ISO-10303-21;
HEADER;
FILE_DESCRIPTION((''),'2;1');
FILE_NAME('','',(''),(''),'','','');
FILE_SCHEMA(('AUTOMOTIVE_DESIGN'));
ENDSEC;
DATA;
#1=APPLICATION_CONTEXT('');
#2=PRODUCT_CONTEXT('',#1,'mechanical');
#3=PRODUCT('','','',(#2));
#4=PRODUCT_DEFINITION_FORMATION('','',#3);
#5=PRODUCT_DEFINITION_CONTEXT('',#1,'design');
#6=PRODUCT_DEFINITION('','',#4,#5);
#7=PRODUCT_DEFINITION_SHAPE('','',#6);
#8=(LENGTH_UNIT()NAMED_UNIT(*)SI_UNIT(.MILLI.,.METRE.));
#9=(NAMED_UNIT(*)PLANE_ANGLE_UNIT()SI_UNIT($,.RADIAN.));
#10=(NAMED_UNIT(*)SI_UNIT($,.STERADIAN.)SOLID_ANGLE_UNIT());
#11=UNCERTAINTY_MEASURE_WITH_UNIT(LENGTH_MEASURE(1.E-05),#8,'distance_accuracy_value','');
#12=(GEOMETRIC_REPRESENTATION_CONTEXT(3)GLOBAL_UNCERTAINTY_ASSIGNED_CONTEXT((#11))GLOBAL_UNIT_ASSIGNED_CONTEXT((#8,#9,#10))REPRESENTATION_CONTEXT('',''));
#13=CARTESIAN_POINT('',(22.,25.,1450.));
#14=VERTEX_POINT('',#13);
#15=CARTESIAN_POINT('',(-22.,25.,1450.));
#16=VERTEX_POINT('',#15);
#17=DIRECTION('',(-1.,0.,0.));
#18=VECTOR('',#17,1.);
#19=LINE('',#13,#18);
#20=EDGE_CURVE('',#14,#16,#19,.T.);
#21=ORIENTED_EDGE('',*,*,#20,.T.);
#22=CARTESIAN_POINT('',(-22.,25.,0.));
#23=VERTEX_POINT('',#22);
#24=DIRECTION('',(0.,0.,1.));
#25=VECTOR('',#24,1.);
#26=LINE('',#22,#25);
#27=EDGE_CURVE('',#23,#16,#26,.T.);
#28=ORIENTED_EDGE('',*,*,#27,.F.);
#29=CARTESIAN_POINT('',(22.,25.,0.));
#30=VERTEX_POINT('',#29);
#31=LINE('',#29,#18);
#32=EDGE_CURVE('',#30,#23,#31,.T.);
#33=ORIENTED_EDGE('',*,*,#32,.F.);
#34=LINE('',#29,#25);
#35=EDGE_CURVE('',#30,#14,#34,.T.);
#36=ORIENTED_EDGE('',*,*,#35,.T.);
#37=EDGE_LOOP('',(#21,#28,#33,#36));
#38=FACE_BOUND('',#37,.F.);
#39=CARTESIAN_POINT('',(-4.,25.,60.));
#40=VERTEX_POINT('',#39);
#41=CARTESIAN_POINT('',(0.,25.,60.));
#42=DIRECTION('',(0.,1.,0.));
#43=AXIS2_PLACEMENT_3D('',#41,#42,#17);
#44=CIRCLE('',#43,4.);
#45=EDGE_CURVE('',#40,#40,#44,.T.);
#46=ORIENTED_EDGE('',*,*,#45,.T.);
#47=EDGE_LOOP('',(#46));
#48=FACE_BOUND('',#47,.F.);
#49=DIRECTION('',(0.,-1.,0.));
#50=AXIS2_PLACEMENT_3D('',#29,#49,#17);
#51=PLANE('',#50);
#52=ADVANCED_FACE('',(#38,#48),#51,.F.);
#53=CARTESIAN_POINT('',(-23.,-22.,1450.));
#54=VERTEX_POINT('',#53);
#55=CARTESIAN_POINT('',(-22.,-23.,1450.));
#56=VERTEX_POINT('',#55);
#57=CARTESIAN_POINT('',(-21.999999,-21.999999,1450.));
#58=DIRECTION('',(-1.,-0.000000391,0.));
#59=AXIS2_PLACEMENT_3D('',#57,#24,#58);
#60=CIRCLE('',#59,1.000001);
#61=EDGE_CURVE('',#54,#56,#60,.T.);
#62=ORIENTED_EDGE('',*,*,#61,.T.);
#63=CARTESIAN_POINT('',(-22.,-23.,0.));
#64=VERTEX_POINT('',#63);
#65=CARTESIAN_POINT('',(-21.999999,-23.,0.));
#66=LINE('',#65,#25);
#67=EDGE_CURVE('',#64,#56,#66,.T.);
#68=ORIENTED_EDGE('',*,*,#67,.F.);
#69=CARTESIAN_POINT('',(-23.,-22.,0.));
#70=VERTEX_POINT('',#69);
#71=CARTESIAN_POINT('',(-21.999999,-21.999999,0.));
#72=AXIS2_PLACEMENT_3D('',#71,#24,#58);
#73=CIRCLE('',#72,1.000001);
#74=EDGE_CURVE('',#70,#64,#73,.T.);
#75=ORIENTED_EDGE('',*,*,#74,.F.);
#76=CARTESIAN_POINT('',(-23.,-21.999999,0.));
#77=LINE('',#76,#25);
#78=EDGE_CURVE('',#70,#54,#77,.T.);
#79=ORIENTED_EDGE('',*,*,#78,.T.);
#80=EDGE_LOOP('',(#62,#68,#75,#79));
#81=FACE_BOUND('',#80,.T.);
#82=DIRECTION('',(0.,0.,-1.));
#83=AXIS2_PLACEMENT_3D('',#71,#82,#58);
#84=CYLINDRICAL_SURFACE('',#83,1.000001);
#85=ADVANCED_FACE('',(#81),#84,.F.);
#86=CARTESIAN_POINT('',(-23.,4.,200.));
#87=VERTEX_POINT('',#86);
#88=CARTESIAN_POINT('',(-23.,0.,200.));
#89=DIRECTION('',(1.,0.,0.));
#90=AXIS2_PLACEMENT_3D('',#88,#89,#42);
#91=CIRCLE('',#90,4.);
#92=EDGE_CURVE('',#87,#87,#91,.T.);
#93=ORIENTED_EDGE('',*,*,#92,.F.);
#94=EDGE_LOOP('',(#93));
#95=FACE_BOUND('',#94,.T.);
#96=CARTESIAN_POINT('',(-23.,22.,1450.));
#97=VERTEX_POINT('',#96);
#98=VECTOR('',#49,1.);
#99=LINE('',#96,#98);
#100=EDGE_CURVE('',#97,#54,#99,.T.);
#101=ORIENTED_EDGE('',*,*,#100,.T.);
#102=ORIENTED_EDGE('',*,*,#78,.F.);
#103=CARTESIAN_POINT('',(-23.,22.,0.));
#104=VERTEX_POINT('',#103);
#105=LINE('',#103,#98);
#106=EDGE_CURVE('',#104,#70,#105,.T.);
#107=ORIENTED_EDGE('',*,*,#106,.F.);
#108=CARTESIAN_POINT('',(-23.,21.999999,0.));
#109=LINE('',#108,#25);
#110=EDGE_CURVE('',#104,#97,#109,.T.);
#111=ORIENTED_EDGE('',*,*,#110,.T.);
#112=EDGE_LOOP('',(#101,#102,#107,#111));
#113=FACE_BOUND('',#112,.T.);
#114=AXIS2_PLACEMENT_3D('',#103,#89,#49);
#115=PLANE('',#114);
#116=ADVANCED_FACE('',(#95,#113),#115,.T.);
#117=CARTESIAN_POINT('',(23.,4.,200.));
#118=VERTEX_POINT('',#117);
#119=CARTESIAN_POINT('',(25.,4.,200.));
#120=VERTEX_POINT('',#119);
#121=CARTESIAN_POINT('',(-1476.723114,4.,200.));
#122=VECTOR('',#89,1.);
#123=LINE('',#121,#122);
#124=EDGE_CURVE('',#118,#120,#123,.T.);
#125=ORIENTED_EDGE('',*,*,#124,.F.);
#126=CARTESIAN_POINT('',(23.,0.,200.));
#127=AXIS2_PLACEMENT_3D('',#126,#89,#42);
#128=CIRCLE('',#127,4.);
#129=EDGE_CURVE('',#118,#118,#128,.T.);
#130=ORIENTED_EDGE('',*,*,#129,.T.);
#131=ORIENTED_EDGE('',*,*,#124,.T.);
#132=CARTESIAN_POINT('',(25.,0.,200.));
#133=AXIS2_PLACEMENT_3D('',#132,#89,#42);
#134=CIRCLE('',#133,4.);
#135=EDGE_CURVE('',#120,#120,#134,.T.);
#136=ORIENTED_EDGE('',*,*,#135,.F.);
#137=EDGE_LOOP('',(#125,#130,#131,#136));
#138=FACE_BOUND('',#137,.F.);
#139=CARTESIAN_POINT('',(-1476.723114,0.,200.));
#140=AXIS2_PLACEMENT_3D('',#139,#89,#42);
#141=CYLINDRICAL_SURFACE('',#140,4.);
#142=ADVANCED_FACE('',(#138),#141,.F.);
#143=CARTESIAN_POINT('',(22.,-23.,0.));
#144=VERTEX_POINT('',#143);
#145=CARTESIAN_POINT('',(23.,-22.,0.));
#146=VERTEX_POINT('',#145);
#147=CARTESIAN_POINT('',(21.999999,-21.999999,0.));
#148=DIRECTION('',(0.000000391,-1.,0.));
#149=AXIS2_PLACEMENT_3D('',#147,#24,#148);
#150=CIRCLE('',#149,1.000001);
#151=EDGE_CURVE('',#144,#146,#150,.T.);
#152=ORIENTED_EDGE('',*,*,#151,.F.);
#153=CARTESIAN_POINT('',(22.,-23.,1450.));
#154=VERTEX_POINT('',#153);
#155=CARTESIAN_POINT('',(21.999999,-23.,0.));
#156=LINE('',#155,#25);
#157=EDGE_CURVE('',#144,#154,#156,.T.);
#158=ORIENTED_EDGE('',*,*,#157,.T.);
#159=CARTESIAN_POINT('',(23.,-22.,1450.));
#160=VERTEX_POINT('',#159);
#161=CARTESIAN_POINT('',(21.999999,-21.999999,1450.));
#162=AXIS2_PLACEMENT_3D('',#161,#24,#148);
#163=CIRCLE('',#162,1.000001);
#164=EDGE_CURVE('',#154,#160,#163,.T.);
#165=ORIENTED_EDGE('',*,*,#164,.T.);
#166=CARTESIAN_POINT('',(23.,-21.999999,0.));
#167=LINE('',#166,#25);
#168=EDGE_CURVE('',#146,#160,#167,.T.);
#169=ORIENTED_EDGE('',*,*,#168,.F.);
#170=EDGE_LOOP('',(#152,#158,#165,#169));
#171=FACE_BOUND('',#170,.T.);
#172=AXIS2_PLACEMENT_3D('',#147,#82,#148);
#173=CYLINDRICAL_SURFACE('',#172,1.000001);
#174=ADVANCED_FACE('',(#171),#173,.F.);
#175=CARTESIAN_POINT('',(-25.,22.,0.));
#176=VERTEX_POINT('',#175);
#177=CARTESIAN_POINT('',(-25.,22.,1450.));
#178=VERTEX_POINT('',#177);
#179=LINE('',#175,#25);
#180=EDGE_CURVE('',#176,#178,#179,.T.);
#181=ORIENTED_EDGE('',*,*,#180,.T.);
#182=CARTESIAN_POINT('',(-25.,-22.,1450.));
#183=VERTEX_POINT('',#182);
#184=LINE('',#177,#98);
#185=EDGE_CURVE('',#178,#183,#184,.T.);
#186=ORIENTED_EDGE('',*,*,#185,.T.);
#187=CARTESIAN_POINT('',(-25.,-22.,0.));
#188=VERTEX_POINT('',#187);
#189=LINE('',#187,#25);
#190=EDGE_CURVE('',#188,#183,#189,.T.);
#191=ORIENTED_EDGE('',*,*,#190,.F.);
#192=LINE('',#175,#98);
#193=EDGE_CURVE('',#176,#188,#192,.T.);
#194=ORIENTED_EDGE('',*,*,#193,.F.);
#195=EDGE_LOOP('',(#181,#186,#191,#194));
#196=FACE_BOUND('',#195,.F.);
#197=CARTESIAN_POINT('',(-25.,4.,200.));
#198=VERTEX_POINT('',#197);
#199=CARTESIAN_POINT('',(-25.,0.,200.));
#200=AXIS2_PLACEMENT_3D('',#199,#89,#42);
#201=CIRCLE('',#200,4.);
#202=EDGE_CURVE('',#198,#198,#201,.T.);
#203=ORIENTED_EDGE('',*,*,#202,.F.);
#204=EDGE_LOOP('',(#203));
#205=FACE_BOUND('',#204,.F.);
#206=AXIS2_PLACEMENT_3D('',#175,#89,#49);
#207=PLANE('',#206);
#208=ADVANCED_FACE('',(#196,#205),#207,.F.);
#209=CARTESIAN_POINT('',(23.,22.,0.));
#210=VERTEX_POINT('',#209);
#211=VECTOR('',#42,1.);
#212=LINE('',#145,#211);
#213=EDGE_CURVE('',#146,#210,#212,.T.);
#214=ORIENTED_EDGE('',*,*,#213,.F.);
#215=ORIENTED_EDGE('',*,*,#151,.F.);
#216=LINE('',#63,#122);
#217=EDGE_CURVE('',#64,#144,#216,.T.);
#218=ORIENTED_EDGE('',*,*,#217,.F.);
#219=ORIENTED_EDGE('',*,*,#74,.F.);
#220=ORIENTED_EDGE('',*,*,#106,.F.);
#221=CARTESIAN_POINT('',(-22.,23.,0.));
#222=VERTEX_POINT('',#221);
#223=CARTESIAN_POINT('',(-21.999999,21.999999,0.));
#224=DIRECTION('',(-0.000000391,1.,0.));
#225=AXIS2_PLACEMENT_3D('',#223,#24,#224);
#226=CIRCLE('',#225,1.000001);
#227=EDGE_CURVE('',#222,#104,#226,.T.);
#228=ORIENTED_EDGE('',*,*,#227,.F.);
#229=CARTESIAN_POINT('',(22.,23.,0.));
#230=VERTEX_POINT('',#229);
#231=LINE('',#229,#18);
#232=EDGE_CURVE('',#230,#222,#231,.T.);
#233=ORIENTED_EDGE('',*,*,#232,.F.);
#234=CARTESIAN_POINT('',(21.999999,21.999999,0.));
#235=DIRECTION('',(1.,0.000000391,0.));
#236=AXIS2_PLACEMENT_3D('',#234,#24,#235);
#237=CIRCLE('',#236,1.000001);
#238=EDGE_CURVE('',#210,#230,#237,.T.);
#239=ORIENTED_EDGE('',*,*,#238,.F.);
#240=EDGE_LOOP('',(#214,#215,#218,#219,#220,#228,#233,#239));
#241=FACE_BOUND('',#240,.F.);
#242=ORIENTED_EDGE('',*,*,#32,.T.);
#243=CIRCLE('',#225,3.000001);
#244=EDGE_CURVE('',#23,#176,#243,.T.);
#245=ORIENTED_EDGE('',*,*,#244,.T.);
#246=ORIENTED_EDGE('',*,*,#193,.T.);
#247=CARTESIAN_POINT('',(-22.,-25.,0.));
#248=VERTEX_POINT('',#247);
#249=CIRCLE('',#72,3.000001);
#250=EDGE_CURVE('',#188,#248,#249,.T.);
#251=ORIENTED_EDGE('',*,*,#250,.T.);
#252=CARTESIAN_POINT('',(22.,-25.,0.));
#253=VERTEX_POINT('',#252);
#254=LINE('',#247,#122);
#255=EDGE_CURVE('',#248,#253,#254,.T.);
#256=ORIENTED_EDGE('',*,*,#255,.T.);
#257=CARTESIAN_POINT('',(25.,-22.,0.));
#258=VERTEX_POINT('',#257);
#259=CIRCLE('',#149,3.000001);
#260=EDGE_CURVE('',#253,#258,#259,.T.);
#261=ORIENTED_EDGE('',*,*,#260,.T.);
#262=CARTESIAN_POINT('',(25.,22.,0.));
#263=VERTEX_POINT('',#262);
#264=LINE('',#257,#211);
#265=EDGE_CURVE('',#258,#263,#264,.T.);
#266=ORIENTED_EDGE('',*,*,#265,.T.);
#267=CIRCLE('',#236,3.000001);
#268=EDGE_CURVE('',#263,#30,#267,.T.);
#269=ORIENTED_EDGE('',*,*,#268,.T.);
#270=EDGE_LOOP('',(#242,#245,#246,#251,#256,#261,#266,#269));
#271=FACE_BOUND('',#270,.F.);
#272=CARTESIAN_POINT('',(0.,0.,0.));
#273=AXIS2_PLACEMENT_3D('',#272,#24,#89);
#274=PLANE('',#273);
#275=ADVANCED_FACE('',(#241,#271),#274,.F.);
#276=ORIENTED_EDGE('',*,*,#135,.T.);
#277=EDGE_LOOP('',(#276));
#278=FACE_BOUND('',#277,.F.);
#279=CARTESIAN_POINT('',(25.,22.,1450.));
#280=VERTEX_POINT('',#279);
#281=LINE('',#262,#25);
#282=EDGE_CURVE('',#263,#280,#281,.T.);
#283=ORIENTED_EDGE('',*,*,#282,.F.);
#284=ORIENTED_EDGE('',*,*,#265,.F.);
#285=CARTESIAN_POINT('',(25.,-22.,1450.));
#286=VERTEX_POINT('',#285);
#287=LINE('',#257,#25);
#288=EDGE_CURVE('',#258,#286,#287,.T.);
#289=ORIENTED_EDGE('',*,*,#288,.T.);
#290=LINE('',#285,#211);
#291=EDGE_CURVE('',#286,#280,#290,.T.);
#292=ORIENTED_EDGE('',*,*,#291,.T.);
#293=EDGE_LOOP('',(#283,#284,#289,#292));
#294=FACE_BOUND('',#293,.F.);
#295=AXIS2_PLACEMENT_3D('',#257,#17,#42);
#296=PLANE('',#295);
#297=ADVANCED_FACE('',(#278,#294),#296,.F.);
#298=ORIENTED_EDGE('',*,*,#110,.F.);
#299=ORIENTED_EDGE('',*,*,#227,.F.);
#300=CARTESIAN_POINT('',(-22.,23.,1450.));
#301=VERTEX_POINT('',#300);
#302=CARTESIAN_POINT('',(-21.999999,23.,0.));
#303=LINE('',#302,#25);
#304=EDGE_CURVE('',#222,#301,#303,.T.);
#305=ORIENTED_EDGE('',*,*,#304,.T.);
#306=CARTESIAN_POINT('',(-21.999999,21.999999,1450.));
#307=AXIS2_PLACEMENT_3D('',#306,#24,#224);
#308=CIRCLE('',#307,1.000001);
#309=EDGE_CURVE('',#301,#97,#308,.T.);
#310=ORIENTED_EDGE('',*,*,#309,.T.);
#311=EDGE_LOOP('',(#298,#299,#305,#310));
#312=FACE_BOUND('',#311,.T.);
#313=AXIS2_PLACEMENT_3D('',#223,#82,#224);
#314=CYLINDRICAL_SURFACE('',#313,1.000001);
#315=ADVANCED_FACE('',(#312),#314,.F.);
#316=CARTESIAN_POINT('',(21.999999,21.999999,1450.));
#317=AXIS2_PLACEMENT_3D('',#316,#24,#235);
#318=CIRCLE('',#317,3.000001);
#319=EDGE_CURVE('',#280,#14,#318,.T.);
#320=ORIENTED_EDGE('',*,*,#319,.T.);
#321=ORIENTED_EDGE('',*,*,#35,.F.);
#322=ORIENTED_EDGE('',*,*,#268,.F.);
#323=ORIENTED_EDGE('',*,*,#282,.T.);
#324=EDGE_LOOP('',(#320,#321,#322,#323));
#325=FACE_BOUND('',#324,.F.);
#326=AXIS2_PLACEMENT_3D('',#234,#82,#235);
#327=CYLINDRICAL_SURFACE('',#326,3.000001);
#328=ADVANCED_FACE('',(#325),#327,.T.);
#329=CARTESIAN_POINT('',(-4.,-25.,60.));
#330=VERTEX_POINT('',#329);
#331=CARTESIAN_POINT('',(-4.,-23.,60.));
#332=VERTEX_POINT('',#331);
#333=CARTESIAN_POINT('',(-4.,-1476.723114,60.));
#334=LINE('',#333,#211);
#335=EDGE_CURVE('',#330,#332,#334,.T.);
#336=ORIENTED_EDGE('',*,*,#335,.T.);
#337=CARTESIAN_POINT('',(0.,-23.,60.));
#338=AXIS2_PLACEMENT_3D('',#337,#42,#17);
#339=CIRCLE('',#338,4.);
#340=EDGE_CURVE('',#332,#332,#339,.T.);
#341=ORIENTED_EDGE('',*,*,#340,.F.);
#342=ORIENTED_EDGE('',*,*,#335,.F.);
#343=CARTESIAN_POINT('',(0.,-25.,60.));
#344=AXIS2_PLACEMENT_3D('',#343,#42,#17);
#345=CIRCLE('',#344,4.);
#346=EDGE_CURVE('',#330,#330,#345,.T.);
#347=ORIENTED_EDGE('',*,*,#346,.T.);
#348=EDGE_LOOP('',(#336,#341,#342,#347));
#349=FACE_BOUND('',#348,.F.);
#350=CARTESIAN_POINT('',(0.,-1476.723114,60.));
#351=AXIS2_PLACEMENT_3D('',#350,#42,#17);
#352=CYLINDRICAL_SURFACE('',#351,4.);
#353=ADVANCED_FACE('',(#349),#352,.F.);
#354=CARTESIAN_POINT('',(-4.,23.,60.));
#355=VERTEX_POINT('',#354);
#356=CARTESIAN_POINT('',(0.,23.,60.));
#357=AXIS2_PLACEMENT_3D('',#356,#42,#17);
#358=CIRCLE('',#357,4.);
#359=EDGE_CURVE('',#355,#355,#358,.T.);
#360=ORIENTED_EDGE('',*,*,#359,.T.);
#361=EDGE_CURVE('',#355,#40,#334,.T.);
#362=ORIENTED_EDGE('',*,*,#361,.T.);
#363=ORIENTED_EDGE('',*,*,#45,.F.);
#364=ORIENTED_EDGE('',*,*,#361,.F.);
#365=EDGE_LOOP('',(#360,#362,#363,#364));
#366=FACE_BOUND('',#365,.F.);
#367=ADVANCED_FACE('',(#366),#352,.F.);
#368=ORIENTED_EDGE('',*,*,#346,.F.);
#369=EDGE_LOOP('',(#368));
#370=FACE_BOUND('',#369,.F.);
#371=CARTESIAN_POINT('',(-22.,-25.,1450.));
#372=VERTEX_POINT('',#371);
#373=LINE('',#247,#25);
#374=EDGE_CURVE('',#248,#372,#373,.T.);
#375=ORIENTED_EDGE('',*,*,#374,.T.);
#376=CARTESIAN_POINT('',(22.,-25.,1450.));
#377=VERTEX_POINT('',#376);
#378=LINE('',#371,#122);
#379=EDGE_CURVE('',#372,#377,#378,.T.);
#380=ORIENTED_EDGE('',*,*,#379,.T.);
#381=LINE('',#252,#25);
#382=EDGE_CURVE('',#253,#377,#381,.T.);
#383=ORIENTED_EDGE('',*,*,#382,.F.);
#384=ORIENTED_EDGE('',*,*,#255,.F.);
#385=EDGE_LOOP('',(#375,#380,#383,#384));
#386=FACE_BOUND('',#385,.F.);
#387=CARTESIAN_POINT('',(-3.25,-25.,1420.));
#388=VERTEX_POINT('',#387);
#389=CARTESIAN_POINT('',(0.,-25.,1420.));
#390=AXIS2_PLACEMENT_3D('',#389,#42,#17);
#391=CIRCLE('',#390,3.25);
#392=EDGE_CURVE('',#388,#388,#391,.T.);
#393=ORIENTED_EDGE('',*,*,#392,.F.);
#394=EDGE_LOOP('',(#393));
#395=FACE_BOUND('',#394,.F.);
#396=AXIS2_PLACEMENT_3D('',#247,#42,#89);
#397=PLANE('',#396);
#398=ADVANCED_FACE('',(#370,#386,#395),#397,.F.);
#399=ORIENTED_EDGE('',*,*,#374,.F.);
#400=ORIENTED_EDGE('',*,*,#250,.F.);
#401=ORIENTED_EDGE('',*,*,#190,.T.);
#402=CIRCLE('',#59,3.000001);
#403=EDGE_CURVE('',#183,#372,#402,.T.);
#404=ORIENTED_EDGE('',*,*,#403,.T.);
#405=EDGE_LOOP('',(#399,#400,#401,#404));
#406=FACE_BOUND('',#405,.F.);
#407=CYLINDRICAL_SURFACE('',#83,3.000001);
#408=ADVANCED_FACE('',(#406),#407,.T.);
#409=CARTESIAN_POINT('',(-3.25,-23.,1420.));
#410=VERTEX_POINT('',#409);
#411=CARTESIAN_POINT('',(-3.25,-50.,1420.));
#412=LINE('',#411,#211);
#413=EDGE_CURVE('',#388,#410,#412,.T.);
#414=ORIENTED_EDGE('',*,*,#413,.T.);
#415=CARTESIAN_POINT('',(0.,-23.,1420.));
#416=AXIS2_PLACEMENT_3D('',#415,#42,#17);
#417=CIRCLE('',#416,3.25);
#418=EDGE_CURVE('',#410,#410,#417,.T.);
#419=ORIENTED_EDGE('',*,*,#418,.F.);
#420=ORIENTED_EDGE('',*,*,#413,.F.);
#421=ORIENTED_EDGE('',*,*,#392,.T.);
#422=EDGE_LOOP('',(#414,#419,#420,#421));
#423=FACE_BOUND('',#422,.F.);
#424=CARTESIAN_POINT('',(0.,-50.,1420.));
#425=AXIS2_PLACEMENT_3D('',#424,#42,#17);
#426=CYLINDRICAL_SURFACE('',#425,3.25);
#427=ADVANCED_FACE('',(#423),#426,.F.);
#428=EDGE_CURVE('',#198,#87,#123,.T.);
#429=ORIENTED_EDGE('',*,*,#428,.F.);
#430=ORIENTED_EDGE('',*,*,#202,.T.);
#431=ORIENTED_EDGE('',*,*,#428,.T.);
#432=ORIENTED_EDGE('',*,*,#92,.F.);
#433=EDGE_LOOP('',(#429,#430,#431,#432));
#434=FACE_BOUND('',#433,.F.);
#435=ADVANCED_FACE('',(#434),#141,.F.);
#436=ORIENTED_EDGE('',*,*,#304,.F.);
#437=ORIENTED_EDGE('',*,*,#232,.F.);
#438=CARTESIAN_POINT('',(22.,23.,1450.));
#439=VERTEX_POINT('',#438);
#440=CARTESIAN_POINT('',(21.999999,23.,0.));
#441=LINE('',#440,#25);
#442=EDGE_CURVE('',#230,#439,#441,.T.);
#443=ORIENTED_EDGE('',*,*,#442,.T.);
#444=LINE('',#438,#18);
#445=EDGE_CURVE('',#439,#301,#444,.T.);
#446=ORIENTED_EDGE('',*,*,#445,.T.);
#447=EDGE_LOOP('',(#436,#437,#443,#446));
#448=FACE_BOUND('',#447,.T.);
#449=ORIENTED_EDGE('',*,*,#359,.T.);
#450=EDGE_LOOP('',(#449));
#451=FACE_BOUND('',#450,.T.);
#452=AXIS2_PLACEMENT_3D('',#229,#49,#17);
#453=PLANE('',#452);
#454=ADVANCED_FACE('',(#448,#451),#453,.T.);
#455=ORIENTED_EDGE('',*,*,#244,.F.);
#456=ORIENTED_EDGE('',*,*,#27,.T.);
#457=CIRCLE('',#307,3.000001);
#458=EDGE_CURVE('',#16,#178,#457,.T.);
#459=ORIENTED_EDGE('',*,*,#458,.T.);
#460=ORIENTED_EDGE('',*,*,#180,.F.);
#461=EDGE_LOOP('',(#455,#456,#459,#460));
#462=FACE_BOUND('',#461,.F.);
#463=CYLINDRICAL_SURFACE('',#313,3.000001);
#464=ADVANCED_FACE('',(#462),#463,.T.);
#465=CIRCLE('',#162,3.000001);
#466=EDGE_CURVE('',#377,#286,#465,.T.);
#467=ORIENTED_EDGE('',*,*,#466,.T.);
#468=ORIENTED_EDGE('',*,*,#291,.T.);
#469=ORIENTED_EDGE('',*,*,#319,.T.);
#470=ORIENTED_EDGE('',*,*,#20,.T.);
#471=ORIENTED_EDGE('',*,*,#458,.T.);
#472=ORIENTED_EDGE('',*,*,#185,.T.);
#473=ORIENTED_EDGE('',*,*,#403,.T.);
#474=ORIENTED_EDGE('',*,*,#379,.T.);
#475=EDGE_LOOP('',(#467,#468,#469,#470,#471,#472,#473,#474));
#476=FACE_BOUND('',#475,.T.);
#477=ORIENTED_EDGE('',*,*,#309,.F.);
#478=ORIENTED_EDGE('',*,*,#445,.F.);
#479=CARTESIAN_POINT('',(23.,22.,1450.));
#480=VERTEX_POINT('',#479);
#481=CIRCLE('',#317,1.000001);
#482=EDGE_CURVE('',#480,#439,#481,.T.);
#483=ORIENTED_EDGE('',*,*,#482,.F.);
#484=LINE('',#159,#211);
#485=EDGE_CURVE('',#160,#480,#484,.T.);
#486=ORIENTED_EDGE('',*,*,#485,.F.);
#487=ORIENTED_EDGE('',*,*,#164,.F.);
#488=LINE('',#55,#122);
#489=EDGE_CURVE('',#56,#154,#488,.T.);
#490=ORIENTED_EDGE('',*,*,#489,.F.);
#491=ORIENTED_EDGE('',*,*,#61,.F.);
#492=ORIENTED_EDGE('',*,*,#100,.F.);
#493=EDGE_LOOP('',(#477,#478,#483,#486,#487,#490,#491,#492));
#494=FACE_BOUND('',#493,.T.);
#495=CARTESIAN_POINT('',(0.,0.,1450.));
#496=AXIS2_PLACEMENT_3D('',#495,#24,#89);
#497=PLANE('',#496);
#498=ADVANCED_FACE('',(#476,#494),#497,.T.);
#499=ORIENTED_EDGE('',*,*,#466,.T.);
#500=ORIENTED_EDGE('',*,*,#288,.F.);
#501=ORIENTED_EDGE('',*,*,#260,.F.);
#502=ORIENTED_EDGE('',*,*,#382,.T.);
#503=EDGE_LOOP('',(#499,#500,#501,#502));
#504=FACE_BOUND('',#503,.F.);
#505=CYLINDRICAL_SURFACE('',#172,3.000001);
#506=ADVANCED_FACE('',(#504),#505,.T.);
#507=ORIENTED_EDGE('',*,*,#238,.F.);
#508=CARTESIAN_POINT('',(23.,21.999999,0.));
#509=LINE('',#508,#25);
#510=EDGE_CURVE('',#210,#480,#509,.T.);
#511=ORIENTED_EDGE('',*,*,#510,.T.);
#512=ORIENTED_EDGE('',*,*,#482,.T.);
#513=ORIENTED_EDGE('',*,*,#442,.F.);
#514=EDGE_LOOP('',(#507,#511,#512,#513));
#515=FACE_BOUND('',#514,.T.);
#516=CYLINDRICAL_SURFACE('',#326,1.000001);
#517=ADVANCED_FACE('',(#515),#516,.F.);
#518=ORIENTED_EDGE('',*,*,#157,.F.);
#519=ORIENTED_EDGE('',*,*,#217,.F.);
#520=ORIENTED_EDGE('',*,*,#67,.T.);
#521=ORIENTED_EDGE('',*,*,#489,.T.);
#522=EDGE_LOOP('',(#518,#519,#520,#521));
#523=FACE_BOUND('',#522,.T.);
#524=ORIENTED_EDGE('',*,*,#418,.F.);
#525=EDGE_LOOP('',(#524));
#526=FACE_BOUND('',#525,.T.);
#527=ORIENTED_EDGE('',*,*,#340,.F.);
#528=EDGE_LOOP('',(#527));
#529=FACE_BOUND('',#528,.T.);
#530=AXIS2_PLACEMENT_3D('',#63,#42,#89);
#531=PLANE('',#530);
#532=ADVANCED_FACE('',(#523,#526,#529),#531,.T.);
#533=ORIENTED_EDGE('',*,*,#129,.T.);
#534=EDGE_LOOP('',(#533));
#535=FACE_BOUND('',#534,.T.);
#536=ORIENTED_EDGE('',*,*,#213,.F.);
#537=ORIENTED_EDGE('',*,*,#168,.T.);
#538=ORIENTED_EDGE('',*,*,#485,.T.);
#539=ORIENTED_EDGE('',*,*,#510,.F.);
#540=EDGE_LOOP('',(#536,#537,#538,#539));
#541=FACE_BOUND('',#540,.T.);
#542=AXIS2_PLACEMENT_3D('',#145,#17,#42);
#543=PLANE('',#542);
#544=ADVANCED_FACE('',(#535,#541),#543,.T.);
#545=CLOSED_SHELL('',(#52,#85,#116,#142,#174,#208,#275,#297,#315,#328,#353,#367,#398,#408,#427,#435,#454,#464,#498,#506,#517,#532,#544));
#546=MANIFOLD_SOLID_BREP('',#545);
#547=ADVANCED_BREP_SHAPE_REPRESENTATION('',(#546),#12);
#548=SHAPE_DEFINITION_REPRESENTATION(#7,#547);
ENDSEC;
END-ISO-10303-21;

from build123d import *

# Parameters (mm, degrees)
F1_DEPTH = 1450
F2_T     = -2
F4_D     = 6.5
F4_DEPTH = 25
F6_D     = 8
F8_D     = 8


with BuildPart() as f1:
    # F0 (on Top) → F1 (new body)
    with BuildSketch(Plane.XY):
        with BuildLine():
            ThreePointArc((-25, -22), (-24.12132, -24.12132), (-22, -25))
            Line((-22, -25), (22, -25))
            ThreePointArc((22, -25), (24.12132, -24.12132), (25, -22))
            Line((25, -22), (25, 22))
            ThreePointArc((25, 22), (24.12132, 24.12132), (22, 25))
            Line((22, 25), (-22, 25))
            ThreePointArc((-22, 25), (-24.12132, 24.12132), (-25, 22))
            Line((-25, 22), (-25, -22))
        make_face()
    extrude(amount=F1_DEPTH)

    # F2
    f2_openings = [f1.faces().sort_by_distance(p)[0] for p in [
        (0, 0, 1450),
        (0, 0, 0),
    ]]
    offset(amount=F2_T, openings=f2_openings)

    # F4
    with Locations(Plane.XZ.offset(25)):
        with Locations((0, 1420)):
            Hole(F4_D / 2, depth=F4_DEPTH)

    # F6 (through all)
    with Locations(Plane.XZ.offset(25)):
        with Locations((0, 60)):
            Hole(F6_D / 2)

    # F8 (through all)
    with Locations(Plane(origin=(-25, 0, 0), x_dir=(0, -1, 0), z_dir=(-1, 0, 0))):
        with Locations((0, 200)):
            Hole(F8_D / 2)


solid = f1.part
